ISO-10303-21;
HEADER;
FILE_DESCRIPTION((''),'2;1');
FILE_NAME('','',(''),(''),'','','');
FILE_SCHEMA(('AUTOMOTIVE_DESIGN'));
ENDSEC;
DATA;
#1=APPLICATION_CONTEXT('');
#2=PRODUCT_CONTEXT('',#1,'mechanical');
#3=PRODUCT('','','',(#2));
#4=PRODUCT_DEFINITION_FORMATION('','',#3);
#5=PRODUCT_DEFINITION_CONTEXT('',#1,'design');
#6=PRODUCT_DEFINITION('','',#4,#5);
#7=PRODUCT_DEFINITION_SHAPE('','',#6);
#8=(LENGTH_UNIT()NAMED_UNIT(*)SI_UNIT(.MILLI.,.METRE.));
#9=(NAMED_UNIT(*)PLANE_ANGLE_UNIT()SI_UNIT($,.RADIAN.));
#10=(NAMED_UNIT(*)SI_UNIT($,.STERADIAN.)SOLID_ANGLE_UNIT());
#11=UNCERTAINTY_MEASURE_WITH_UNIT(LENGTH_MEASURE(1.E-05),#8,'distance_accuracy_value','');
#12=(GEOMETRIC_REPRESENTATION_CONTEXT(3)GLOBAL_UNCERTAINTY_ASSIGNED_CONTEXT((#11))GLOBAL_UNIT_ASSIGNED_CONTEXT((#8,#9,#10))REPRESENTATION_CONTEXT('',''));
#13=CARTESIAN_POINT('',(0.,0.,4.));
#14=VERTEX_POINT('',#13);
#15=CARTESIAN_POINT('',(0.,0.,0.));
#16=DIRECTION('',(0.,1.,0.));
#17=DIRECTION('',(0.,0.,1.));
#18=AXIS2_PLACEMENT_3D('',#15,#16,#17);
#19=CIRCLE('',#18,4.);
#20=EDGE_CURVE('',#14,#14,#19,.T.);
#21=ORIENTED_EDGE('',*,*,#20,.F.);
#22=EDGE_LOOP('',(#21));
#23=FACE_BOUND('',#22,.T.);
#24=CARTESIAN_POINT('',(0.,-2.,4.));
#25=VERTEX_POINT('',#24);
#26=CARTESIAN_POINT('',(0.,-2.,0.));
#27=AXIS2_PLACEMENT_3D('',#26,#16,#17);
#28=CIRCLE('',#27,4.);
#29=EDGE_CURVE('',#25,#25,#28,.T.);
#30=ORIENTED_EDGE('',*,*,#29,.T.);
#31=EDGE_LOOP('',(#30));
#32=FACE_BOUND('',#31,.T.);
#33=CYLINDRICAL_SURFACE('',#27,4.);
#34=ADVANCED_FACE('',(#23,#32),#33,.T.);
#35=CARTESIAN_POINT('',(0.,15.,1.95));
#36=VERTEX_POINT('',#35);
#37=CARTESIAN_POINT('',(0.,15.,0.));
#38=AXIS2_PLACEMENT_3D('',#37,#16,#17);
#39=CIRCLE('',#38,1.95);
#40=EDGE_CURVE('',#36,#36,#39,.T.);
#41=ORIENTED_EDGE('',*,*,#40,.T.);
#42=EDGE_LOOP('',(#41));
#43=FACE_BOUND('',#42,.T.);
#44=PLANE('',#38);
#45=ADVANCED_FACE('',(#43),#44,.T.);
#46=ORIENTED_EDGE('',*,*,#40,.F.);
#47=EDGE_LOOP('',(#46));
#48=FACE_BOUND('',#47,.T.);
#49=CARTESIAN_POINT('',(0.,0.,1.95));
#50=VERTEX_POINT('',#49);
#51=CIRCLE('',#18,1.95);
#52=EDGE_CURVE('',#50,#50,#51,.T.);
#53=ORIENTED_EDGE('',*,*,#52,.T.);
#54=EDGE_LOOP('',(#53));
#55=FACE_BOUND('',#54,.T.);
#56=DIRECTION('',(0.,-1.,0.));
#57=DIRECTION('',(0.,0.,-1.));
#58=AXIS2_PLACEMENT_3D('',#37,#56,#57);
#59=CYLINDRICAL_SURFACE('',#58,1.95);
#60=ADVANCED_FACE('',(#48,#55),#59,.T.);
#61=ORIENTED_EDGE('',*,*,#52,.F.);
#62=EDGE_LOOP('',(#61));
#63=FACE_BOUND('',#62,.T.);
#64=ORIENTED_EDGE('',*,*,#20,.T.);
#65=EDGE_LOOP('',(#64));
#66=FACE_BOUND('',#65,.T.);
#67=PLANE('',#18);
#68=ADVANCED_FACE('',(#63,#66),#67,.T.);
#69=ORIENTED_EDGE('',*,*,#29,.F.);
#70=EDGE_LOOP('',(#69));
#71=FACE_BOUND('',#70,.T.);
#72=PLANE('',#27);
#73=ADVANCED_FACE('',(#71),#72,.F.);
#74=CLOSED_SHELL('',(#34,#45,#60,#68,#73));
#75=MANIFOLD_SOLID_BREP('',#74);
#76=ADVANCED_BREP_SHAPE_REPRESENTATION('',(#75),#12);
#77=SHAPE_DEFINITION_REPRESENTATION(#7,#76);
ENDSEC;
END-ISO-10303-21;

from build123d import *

# Parameters (mm, degrees)
SKETCH1_R           = 4
BOSS_EXTRUDE1_DEPTH = 2
SKETCH2_R           = 1.95
BOSS_EXTRUDE2_DEPTH = 15


with BuildPart() as part:
    # Sketch1 → Boss-Extrude1 (new body)
    with BuildSketch(Plane(origin=(0, 0, 0), x_dir=(1, 0, 0), z_dir=(0, 1, 0))):
        Circle(SKETCH1_R)
    extrude(amount=-BOSS_EXTRUDE1_DEPTH)

    # Sketch2 → Boss-Extrude2 (add)
    with BuildSketch(Plane(origin=(0, 0, 0), x_dir=(1, 0, 0), z_dir=(0, 1, 0))):
        Circle(SKETCH2_R)
    extrude(amount=BOSS_EXTRUDE2_DEPTH)


solid = part.part
